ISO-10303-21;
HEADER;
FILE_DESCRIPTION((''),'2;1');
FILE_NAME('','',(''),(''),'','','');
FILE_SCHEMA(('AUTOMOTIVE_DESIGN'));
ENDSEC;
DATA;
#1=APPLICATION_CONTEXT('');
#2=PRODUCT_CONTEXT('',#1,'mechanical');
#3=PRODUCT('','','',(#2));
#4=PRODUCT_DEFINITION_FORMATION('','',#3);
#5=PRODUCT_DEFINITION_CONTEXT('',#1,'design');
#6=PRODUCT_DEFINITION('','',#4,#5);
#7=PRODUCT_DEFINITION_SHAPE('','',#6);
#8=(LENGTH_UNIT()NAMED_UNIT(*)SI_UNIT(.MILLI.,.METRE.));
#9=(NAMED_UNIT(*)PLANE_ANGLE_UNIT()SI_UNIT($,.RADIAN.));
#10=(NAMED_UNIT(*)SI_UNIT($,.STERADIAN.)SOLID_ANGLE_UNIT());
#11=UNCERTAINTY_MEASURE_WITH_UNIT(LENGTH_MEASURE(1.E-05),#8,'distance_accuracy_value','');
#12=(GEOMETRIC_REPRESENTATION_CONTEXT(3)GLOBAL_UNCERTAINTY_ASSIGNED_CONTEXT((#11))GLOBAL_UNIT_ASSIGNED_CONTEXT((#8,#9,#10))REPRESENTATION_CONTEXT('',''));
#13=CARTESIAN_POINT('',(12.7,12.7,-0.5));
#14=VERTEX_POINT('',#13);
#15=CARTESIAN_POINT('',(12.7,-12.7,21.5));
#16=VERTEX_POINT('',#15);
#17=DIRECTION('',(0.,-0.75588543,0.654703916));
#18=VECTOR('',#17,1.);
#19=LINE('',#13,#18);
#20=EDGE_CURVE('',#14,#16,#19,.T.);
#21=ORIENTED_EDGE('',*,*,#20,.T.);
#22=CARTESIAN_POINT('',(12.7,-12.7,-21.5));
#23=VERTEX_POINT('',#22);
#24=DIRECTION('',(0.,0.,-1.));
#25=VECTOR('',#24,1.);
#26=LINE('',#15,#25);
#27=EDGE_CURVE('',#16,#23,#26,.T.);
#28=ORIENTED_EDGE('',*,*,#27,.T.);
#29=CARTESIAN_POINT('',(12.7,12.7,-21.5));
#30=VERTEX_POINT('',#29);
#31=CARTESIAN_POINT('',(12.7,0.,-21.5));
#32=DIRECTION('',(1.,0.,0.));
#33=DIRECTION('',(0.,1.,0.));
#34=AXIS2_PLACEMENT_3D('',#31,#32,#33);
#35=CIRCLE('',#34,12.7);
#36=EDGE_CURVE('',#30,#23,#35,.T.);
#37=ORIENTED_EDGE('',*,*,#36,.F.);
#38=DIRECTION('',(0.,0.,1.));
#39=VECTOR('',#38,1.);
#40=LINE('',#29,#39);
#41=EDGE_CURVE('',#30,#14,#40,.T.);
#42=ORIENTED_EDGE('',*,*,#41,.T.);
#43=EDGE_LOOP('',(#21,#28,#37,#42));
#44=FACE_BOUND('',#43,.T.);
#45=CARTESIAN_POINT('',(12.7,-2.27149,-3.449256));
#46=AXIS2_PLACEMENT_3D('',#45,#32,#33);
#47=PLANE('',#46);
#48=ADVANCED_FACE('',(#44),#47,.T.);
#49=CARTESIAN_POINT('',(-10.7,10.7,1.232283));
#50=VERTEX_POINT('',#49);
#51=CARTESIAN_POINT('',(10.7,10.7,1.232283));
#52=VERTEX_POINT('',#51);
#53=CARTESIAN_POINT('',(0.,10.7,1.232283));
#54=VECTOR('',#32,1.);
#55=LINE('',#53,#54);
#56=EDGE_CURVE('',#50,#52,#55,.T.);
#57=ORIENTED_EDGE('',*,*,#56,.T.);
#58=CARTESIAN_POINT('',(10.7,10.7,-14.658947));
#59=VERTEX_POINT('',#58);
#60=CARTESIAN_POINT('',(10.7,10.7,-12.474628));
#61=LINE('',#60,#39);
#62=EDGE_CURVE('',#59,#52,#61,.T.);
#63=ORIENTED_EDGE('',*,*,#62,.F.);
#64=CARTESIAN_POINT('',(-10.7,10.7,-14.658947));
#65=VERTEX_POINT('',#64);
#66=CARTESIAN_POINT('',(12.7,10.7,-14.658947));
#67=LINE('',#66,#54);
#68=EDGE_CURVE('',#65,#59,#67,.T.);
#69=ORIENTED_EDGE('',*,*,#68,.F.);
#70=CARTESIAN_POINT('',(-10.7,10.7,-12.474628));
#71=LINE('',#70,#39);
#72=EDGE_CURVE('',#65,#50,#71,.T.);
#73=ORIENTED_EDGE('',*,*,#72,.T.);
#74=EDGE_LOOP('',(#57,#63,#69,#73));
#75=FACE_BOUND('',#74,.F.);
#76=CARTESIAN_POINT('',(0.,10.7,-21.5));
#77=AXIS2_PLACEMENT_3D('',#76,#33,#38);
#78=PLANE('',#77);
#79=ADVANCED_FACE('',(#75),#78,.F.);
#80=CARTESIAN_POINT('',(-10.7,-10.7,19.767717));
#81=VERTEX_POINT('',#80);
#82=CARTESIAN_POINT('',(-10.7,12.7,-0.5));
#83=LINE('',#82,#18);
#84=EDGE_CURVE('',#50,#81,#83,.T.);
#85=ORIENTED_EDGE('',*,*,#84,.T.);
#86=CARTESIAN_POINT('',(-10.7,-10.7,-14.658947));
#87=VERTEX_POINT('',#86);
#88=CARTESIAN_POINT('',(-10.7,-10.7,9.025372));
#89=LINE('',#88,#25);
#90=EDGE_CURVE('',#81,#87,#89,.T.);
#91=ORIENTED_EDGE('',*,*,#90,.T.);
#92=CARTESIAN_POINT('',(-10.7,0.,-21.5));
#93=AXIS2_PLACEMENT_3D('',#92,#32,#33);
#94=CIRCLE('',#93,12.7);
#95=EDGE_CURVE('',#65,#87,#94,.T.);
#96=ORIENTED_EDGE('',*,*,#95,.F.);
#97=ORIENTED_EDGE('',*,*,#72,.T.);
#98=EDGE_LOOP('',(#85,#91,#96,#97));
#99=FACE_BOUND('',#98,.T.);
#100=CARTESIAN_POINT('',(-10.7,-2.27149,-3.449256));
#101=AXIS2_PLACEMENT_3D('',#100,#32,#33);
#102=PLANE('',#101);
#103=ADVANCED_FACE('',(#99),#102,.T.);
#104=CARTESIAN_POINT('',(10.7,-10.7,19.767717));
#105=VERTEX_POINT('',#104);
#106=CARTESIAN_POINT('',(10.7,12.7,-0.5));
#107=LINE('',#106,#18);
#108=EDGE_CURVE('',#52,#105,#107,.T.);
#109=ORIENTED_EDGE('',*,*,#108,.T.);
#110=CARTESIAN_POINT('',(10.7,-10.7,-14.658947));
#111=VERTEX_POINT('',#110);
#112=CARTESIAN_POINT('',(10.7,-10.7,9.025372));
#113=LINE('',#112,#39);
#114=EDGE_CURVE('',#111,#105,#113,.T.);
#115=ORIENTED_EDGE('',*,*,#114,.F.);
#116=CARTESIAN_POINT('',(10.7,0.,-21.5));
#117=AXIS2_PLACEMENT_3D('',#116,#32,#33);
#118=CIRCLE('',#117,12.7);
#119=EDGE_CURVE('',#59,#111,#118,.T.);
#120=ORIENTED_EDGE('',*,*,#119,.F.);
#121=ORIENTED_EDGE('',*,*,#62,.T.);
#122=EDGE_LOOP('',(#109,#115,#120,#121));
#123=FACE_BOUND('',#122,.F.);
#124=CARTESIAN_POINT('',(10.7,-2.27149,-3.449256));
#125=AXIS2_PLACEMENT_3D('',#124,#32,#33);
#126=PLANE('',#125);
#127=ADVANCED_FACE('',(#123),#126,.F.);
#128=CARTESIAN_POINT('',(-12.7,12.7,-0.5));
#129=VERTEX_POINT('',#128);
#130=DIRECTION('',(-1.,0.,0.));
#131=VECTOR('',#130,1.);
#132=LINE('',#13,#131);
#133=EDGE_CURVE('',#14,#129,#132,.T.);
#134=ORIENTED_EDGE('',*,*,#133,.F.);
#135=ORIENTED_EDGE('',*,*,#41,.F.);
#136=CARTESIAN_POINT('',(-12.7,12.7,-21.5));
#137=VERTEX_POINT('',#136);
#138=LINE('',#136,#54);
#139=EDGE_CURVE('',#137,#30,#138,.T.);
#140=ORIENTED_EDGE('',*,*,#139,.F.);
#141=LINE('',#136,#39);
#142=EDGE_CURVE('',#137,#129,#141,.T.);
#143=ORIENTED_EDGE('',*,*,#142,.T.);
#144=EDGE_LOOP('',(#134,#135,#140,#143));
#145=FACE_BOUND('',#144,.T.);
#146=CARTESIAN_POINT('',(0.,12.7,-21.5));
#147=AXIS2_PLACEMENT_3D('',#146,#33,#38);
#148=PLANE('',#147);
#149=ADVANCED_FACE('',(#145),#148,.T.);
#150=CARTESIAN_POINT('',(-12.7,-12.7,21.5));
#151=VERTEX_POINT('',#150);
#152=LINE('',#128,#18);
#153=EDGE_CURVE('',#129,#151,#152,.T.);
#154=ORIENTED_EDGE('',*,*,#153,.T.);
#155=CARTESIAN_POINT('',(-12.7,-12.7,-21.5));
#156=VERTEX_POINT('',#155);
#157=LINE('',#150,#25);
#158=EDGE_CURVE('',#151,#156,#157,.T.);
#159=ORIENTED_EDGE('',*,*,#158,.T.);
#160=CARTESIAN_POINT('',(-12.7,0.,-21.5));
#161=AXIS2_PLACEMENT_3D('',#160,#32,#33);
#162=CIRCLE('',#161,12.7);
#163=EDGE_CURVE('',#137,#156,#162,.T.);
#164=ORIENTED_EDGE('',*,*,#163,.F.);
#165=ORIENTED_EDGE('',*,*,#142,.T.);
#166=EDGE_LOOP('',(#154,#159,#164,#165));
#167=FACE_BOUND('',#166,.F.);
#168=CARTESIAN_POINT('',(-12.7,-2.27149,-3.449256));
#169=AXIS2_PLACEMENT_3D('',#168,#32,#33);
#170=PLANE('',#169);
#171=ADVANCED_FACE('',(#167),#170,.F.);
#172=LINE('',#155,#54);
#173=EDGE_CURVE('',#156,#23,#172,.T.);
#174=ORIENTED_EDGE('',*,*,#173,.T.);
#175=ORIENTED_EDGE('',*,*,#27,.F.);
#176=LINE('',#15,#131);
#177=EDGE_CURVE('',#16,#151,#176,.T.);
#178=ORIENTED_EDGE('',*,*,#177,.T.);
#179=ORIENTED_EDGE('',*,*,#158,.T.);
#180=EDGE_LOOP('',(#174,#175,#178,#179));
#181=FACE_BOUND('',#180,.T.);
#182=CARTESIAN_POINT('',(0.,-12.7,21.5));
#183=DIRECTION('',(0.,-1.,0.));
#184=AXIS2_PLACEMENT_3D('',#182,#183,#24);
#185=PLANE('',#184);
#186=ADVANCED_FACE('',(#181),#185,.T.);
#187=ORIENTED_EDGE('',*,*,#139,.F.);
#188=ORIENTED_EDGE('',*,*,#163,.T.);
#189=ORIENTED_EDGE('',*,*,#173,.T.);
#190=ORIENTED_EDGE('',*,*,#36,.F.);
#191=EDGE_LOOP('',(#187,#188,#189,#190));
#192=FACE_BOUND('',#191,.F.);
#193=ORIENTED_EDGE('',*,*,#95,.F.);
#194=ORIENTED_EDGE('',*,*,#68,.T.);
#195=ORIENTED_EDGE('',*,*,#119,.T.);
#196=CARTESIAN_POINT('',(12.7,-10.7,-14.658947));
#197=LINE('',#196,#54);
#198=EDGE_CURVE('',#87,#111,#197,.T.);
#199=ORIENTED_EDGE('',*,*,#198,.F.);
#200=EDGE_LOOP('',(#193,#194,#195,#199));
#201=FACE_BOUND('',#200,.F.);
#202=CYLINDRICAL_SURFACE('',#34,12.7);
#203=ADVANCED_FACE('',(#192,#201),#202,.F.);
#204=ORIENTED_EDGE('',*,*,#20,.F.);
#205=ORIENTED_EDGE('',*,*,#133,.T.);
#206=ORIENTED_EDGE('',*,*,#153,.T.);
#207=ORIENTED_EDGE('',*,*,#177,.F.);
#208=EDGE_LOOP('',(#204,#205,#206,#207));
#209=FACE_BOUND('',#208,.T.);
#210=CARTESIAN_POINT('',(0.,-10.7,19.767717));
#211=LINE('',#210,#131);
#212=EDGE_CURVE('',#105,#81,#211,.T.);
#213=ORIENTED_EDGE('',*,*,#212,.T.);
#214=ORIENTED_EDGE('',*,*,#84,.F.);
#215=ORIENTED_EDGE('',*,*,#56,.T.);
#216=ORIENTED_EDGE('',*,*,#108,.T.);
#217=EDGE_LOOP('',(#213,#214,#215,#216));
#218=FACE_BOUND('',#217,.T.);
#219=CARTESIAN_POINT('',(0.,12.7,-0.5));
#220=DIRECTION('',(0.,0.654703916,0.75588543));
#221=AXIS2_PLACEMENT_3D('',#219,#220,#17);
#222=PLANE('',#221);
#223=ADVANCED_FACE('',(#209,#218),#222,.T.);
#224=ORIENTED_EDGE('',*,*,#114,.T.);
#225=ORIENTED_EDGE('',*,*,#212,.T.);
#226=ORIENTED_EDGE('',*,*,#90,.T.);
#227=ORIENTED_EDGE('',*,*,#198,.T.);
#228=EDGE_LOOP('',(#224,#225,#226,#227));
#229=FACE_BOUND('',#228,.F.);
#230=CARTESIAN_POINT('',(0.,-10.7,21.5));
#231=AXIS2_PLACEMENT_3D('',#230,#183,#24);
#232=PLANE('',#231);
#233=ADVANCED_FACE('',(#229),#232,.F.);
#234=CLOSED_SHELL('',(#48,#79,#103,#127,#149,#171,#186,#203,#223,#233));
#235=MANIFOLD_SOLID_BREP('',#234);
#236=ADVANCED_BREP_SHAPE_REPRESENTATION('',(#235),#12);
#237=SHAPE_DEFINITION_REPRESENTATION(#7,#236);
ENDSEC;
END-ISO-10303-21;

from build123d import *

# Parameters (mm, degrees)
F1_DEPTH = 12.7
F2_T     = -2
F4_DEPTH = 29.083


with BuildPart() as f1:
    # F0 (on Right) → F1 (new body, symmetric)
    with BuildSketch(Plane.YZ):
        Polygon((-12.7, 21.5), (-12.7, -21.5), (12.7, -21.5), (12.7, -0.5), align=None)
    extrude(amount=F1_DEPTH, both=True)

    # F2
    f2_openings = [f1.faces().sort_by_distance(p)[0] for p in [
        (0, 0, -21.5),
        (0, 0, 10.5),
    ]]
    offset(amount=F2_T, openings=f2_openings)

    # F3 (on face) → F4 (cut)
    with BuildSketch(Plane.YZ.offset(12.7)):
        with BuildLine():
            Line((-12.7, -21.5), (12.7, -21.5))
            ThreePointArc((12.7, -21.5), (0, -8.8), (-12.7, -21.5))
        make_face()
    extrude(amount=-F4_DEPTH, mode=Mode.SUBTRACT)


solid = f1.part
